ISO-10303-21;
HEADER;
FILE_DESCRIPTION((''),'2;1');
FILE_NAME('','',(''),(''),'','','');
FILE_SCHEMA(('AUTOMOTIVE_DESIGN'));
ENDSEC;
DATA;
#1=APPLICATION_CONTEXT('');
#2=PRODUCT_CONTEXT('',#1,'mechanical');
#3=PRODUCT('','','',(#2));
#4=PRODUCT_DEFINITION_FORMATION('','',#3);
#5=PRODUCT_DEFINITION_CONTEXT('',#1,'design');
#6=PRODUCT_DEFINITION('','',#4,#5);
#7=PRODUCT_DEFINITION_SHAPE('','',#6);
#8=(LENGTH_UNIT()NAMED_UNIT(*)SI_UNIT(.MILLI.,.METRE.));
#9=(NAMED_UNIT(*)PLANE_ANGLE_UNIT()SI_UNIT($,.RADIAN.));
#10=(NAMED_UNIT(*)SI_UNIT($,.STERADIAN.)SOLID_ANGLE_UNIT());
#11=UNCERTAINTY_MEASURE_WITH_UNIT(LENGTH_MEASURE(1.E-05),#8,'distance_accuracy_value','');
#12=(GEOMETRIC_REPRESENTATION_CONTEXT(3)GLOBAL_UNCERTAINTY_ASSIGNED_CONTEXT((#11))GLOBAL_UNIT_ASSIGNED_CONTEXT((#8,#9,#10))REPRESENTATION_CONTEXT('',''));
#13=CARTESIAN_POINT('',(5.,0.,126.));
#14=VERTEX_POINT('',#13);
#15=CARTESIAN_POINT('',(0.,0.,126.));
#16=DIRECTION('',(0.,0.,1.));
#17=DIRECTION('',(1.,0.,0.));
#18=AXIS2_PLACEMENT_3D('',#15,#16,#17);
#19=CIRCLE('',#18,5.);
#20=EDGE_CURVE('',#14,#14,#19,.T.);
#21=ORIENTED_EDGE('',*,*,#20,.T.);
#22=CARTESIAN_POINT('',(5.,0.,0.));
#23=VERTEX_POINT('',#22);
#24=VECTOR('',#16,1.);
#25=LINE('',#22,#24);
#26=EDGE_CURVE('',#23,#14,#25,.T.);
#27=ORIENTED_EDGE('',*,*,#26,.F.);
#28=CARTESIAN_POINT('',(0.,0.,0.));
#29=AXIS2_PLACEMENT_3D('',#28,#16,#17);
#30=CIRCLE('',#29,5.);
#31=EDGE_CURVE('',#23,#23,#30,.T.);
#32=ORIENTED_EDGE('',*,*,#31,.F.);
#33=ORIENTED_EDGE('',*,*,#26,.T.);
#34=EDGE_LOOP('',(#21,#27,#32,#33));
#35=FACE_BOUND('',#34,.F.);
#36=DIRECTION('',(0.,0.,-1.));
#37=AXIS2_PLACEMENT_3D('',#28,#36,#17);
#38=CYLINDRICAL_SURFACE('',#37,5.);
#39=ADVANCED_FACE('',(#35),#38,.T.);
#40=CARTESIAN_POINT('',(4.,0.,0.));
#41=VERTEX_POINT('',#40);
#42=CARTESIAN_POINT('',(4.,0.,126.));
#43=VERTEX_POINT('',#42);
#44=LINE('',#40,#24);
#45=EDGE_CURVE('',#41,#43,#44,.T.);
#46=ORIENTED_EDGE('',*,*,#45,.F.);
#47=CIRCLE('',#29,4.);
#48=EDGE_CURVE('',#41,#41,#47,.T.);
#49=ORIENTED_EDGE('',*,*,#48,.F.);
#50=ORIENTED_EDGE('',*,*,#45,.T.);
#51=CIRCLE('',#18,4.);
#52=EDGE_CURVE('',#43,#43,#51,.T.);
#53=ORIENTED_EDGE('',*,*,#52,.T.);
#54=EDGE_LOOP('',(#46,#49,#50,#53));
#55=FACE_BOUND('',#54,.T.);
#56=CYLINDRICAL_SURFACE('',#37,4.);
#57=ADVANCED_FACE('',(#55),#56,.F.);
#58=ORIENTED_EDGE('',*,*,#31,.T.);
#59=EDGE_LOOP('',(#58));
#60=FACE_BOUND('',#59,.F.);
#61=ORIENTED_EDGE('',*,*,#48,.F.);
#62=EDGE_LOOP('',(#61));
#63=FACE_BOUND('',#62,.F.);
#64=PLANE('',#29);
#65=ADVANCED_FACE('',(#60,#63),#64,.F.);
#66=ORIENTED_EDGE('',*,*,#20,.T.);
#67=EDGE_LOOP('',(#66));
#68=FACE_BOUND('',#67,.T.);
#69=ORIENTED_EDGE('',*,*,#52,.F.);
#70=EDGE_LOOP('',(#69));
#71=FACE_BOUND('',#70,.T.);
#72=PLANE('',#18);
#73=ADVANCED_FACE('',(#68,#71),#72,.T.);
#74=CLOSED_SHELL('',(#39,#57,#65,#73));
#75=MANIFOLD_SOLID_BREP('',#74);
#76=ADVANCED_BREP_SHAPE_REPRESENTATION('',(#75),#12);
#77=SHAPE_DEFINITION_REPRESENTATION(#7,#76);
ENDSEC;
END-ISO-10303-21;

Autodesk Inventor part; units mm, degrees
ref_plane "YZ Plane" through (0, 0, 0) normal (1, 0, 0) x (0, 1, 0)
ref_plane "XZ Plane" through (0, 0, 0) normal (0, 1, 0) x (-1, 0, 0)
ref_plane "XY Plane" through (0, 0, 0) normal (0, 0, 1) x (1, 0, 0)
sketch "Sketch1" plane through (0, 0, 0) normal (0, 0, 1) x (1, 0, 0)
  circle A0 centre (0, 0) radius 5
  circle A1 centre (0, 0) radius 4
  dimension "d0" = 10
  dimension "d1" = 8
extrude "Extrusion1" add sketch "Sketch1" along normal blind 126
properties part number "Carbon_Fiber_Tube_70mm" material "CFRP"
